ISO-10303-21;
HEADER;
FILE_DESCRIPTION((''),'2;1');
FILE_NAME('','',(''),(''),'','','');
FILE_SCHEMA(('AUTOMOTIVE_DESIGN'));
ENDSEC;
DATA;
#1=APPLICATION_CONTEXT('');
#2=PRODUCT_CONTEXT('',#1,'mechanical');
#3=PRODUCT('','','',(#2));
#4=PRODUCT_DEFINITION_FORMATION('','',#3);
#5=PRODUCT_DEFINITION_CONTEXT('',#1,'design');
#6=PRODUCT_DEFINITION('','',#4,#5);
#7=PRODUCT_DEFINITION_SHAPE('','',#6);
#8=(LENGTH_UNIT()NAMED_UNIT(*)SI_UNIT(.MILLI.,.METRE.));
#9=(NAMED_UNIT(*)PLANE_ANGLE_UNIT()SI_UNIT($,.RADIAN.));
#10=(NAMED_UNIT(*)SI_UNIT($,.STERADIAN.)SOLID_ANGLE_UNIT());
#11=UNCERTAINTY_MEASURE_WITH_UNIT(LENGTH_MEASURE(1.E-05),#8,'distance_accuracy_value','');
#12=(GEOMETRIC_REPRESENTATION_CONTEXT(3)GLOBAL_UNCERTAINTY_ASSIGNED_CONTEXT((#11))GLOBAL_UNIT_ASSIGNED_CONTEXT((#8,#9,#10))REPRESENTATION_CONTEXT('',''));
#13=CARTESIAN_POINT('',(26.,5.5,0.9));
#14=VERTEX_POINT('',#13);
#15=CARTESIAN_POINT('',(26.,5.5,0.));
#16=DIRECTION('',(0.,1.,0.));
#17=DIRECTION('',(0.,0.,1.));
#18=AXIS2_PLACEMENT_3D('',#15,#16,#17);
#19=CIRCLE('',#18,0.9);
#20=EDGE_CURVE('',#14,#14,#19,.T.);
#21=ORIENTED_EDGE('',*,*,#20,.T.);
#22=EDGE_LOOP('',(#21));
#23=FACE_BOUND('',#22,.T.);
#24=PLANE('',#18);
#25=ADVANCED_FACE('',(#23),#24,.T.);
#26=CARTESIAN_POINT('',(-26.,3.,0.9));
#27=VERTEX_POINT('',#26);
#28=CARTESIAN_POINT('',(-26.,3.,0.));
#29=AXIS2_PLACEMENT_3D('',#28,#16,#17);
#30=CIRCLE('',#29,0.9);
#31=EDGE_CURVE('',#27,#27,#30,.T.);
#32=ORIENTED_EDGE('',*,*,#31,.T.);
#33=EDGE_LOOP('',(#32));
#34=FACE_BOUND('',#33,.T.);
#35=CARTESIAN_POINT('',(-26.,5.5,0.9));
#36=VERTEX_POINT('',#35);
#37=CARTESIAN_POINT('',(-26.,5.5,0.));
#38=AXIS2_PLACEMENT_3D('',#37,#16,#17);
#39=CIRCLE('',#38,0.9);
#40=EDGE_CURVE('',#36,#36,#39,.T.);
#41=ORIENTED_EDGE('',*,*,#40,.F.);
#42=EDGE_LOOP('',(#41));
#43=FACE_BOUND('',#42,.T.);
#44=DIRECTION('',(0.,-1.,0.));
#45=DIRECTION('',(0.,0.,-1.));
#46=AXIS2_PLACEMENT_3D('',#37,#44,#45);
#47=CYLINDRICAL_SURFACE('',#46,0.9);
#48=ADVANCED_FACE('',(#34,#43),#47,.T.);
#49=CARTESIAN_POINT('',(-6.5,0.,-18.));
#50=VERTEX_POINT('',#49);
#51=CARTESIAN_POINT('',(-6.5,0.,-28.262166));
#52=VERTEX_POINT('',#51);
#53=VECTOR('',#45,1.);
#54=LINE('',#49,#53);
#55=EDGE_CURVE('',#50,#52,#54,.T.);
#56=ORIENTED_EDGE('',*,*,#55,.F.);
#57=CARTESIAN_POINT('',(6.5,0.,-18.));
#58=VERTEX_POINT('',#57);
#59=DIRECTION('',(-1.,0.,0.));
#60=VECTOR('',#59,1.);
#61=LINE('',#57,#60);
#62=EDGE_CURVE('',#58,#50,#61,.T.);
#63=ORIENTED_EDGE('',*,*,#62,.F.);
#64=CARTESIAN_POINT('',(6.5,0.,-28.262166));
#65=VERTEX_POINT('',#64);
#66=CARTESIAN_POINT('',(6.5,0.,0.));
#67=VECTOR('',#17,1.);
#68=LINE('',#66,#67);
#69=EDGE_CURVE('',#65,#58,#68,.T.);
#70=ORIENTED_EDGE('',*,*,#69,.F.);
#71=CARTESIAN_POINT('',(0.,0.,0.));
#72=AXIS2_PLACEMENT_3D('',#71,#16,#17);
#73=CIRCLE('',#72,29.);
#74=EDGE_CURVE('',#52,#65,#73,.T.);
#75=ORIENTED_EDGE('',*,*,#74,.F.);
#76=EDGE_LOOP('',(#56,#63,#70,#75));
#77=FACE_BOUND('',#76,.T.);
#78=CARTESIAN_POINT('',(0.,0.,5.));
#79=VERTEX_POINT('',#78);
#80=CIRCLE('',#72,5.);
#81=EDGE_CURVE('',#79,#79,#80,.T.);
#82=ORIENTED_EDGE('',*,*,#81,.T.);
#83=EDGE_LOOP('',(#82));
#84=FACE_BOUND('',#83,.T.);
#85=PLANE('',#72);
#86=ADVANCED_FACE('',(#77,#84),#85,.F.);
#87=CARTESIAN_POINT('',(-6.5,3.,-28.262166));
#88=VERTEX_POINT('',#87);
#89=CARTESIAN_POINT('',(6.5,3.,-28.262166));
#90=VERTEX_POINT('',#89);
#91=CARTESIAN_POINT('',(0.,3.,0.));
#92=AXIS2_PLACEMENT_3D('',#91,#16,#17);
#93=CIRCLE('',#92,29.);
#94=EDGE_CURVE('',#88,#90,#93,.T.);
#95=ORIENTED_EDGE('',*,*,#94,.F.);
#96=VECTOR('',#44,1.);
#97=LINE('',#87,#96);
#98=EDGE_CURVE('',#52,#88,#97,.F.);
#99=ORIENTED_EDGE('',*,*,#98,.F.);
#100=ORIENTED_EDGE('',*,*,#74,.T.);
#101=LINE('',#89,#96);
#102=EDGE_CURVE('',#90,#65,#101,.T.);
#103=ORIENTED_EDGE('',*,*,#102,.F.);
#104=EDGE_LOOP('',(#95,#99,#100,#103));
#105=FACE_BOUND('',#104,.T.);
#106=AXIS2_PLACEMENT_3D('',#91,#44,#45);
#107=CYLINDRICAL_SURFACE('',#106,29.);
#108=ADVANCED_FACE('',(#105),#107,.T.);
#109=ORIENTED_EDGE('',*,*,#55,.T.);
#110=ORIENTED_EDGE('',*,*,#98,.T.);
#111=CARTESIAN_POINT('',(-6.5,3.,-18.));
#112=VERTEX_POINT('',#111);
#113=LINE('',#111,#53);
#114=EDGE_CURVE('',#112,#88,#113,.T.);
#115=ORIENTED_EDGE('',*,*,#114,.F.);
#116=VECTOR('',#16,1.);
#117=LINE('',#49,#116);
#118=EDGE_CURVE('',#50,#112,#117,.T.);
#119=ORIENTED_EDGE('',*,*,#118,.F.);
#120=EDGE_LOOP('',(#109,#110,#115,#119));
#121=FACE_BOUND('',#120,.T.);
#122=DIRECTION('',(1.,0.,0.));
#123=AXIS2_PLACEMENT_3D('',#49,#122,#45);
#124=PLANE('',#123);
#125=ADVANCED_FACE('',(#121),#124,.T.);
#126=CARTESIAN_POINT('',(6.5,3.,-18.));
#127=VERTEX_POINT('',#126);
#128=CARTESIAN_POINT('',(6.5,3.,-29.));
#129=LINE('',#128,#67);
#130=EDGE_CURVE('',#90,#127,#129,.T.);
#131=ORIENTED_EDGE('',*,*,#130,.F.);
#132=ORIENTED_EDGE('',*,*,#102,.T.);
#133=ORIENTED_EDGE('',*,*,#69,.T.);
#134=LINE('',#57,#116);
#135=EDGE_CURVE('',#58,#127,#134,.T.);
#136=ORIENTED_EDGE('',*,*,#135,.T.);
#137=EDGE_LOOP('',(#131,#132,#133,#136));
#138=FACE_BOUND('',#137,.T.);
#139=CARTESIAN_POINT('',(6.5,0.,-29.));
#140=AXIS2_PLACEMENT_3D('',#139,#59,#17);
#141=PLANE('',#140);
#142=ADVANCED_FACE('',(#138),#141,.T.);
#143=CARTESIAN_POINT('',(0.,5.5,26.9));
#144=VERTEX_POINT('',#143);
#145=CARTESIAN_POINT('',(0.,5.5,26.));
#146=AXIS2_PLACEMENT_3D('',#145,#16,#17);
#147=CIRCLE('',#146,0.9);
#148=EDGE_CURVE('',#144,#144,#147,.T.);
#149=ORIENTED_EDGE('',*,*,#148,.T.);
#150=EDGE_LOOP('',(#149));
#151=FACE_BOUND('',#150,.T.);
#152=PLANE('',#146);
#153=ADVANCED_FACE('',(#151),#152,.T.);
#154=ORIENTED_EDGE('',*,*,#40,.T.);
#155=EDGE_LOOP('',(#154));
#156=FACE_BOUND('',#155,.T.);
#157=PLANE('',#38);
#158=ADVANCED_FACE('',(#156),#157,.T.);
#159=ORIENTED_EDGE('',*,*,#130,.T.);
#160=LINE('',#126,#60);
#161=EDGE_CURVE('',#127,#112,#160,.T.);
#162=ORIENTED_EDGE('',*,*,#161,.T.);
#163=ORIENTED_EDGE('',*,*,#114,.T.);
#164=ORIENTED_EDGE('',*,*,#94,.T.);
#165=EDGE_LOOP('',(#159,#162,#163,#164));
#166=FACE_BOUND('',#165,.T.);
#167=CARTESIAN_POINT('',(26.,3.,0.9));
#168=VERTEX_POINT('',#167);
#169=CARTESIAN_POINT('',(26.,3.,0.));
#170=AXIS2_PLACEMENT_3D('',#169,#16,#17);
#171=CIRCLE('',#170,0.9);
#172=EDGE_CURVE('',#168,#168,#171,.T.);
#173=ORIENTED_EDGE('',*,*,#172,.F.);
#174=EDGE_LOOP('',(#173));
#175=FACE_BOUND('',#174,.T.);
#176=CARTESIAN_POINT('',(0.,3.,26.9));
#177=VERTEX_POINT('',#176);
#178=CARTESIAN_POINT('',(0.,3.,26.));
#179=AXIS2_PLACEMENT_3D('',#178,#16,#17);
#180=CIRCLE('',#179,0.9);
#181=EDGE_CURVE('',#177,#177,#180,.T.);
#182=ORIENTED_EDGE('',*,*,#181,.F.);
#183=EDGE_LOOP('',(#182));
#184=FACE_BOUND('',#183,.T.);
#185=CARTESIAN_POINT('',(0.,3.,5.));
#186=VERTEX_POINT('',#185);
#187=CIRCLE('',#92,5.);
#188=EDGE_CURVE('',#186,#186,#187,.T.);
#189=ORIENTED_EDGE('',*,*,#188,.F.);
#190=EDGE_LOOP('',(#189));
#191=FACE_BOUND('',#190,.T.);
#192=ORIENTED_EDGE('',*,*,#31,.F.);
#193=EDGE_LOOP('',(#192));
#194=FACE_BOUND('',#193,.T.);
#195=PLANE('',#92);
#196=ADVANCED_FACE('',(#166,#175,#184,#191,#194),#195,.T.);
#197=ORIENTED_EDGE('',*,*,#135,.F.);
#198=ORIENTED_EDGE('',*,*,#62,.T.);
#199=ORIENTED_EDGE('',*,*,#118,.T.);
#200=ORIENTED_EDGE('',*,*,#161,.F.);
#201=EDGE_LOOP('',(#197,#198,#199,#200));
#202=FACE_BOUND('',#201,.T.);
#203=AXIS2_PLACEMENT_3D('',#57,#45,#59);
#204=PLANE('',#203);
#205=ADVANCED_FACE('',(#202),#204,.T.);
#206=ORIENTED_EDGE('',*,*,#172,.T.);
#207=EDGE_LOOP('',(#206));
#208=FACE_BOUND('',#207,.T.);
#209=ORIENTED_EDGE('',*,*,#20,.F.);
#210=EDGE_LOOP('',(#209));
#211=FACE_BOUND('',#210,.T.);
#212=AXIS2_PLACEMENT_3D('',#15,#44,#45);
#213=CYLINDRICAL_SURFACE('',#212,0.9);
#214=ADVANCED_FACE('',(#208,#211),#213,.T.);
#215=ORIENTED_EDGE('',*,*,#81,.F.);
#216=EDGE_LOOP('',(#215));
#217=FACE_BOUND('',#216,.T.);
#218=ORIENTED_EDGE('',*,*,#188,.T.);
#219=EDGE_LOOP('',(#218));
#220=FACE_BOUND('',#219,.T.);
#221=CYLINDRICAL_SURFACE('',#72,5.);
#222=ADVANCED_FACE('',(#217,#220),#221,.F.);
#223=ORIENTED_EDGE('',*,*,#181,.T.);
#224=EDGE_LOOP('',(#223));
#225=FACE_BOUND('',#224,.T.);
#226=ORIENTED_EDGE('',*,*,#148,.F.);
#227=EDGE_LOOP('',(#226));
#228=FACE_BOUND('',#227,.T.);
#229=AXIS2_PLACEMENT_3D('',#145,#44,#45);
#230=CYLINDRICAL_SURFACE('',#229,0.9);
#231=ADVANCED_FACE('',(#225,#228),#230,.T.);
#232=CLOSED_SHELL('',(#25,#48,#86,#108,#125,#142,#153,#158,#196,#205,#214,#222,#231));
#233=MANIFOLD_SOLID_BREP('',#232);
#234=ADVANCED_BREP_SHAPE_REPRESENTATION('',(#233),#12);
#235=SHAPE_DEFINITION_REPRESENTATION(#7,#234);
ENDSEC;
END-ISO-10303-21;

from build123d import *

# Parameters (mm, degrees)
SKETCH1_R           = 29
BOSS_EXTRUDE1_DEPTH = 3
CUT_EXTRUDE1_DEPTH  = 3
SKETCH6_R           = 0.9
BOSS_EXTRUDE3_DEPTH = 2.5
SKETCH7_R           = 0.9
BOSS_EXTRUDE4_DEPTH = 2.5
SKETCH8_R           = 5
CUT_EXTRUDE2_DEPTH  = 3


with BuildPart() as part:
    # Sketch1 → Boss-Extrude1 (new body)
    with BuildSketch(Plane(origin=(0, 0, 0), x_dir=(1, 0, 0), z_dir=(0, 1, 0))):
        with Locations(Location((0, 0, 0), (0, 0, 270))):
            Circle(SKETCH1_R)
    extrude(amount=BOSS_EXTRUDE1_DEPTH)

    # Sketch2 → Cut-Extrude1 (cut)
    with BuildSketch(Plane(origin=(0, 3, 0), x_dir=(1, 0, 0), z_dir=(0, 1, 0))):
        Polygon((0, 29), (6.5, 29), (6.5, 18), (-6.5, 18), (-6.5, 29), align=None)
    extrude(amount=-CUT_EXTRUDE1_DEPTH, mode=Mode.SUBTRACT)

    # Sketch6 → Boss-Extrude3 (add)
    with BuildSketch(Plane(origin=(0, 3, 0), x_dir=(1, 0, 0), z_dir=(0, 1, 0))):
        with Locations(Location((-26, 0, 0), (0, 0, 270))):
            Circle(SKETCH6_R)
        with Locations(Location((26, 0, 0), (0, 0, 270))):
            Circle(SKETCH6_R)
    extrude(amount=BOSS_EXTRUDE3_DEPTH)

    # Sketch7 → Boss-Extrude4 (add)
    with BuildSketch(Plane(origin=(0, 3, 0), x_dir=(1, 0, 0), z_dir=(0, 1, 0))):
        with Locations(Location((0, -26, 0), (0, 0, 270))):
            Circle(SKETCH7_R)
    extrude(amount=BOSS_EXTRUDE4_DEPTH)

    # Sketch8 → Cut-Extrude2 (cut)
    with BuildSketch(Plane(origin=(0, 3, 0), x_dir=(1, 0, 0), z_dir=(0, 1, 0))):
        with Locations(Location((0, 0, 0), (0, 0, 270))):
            Circle(SKETCH8_R)
    extrude(amount=-CUT_EXTRUDE2_DEPTH, mode=Mode.SUBTRACT)


solid = part.part
